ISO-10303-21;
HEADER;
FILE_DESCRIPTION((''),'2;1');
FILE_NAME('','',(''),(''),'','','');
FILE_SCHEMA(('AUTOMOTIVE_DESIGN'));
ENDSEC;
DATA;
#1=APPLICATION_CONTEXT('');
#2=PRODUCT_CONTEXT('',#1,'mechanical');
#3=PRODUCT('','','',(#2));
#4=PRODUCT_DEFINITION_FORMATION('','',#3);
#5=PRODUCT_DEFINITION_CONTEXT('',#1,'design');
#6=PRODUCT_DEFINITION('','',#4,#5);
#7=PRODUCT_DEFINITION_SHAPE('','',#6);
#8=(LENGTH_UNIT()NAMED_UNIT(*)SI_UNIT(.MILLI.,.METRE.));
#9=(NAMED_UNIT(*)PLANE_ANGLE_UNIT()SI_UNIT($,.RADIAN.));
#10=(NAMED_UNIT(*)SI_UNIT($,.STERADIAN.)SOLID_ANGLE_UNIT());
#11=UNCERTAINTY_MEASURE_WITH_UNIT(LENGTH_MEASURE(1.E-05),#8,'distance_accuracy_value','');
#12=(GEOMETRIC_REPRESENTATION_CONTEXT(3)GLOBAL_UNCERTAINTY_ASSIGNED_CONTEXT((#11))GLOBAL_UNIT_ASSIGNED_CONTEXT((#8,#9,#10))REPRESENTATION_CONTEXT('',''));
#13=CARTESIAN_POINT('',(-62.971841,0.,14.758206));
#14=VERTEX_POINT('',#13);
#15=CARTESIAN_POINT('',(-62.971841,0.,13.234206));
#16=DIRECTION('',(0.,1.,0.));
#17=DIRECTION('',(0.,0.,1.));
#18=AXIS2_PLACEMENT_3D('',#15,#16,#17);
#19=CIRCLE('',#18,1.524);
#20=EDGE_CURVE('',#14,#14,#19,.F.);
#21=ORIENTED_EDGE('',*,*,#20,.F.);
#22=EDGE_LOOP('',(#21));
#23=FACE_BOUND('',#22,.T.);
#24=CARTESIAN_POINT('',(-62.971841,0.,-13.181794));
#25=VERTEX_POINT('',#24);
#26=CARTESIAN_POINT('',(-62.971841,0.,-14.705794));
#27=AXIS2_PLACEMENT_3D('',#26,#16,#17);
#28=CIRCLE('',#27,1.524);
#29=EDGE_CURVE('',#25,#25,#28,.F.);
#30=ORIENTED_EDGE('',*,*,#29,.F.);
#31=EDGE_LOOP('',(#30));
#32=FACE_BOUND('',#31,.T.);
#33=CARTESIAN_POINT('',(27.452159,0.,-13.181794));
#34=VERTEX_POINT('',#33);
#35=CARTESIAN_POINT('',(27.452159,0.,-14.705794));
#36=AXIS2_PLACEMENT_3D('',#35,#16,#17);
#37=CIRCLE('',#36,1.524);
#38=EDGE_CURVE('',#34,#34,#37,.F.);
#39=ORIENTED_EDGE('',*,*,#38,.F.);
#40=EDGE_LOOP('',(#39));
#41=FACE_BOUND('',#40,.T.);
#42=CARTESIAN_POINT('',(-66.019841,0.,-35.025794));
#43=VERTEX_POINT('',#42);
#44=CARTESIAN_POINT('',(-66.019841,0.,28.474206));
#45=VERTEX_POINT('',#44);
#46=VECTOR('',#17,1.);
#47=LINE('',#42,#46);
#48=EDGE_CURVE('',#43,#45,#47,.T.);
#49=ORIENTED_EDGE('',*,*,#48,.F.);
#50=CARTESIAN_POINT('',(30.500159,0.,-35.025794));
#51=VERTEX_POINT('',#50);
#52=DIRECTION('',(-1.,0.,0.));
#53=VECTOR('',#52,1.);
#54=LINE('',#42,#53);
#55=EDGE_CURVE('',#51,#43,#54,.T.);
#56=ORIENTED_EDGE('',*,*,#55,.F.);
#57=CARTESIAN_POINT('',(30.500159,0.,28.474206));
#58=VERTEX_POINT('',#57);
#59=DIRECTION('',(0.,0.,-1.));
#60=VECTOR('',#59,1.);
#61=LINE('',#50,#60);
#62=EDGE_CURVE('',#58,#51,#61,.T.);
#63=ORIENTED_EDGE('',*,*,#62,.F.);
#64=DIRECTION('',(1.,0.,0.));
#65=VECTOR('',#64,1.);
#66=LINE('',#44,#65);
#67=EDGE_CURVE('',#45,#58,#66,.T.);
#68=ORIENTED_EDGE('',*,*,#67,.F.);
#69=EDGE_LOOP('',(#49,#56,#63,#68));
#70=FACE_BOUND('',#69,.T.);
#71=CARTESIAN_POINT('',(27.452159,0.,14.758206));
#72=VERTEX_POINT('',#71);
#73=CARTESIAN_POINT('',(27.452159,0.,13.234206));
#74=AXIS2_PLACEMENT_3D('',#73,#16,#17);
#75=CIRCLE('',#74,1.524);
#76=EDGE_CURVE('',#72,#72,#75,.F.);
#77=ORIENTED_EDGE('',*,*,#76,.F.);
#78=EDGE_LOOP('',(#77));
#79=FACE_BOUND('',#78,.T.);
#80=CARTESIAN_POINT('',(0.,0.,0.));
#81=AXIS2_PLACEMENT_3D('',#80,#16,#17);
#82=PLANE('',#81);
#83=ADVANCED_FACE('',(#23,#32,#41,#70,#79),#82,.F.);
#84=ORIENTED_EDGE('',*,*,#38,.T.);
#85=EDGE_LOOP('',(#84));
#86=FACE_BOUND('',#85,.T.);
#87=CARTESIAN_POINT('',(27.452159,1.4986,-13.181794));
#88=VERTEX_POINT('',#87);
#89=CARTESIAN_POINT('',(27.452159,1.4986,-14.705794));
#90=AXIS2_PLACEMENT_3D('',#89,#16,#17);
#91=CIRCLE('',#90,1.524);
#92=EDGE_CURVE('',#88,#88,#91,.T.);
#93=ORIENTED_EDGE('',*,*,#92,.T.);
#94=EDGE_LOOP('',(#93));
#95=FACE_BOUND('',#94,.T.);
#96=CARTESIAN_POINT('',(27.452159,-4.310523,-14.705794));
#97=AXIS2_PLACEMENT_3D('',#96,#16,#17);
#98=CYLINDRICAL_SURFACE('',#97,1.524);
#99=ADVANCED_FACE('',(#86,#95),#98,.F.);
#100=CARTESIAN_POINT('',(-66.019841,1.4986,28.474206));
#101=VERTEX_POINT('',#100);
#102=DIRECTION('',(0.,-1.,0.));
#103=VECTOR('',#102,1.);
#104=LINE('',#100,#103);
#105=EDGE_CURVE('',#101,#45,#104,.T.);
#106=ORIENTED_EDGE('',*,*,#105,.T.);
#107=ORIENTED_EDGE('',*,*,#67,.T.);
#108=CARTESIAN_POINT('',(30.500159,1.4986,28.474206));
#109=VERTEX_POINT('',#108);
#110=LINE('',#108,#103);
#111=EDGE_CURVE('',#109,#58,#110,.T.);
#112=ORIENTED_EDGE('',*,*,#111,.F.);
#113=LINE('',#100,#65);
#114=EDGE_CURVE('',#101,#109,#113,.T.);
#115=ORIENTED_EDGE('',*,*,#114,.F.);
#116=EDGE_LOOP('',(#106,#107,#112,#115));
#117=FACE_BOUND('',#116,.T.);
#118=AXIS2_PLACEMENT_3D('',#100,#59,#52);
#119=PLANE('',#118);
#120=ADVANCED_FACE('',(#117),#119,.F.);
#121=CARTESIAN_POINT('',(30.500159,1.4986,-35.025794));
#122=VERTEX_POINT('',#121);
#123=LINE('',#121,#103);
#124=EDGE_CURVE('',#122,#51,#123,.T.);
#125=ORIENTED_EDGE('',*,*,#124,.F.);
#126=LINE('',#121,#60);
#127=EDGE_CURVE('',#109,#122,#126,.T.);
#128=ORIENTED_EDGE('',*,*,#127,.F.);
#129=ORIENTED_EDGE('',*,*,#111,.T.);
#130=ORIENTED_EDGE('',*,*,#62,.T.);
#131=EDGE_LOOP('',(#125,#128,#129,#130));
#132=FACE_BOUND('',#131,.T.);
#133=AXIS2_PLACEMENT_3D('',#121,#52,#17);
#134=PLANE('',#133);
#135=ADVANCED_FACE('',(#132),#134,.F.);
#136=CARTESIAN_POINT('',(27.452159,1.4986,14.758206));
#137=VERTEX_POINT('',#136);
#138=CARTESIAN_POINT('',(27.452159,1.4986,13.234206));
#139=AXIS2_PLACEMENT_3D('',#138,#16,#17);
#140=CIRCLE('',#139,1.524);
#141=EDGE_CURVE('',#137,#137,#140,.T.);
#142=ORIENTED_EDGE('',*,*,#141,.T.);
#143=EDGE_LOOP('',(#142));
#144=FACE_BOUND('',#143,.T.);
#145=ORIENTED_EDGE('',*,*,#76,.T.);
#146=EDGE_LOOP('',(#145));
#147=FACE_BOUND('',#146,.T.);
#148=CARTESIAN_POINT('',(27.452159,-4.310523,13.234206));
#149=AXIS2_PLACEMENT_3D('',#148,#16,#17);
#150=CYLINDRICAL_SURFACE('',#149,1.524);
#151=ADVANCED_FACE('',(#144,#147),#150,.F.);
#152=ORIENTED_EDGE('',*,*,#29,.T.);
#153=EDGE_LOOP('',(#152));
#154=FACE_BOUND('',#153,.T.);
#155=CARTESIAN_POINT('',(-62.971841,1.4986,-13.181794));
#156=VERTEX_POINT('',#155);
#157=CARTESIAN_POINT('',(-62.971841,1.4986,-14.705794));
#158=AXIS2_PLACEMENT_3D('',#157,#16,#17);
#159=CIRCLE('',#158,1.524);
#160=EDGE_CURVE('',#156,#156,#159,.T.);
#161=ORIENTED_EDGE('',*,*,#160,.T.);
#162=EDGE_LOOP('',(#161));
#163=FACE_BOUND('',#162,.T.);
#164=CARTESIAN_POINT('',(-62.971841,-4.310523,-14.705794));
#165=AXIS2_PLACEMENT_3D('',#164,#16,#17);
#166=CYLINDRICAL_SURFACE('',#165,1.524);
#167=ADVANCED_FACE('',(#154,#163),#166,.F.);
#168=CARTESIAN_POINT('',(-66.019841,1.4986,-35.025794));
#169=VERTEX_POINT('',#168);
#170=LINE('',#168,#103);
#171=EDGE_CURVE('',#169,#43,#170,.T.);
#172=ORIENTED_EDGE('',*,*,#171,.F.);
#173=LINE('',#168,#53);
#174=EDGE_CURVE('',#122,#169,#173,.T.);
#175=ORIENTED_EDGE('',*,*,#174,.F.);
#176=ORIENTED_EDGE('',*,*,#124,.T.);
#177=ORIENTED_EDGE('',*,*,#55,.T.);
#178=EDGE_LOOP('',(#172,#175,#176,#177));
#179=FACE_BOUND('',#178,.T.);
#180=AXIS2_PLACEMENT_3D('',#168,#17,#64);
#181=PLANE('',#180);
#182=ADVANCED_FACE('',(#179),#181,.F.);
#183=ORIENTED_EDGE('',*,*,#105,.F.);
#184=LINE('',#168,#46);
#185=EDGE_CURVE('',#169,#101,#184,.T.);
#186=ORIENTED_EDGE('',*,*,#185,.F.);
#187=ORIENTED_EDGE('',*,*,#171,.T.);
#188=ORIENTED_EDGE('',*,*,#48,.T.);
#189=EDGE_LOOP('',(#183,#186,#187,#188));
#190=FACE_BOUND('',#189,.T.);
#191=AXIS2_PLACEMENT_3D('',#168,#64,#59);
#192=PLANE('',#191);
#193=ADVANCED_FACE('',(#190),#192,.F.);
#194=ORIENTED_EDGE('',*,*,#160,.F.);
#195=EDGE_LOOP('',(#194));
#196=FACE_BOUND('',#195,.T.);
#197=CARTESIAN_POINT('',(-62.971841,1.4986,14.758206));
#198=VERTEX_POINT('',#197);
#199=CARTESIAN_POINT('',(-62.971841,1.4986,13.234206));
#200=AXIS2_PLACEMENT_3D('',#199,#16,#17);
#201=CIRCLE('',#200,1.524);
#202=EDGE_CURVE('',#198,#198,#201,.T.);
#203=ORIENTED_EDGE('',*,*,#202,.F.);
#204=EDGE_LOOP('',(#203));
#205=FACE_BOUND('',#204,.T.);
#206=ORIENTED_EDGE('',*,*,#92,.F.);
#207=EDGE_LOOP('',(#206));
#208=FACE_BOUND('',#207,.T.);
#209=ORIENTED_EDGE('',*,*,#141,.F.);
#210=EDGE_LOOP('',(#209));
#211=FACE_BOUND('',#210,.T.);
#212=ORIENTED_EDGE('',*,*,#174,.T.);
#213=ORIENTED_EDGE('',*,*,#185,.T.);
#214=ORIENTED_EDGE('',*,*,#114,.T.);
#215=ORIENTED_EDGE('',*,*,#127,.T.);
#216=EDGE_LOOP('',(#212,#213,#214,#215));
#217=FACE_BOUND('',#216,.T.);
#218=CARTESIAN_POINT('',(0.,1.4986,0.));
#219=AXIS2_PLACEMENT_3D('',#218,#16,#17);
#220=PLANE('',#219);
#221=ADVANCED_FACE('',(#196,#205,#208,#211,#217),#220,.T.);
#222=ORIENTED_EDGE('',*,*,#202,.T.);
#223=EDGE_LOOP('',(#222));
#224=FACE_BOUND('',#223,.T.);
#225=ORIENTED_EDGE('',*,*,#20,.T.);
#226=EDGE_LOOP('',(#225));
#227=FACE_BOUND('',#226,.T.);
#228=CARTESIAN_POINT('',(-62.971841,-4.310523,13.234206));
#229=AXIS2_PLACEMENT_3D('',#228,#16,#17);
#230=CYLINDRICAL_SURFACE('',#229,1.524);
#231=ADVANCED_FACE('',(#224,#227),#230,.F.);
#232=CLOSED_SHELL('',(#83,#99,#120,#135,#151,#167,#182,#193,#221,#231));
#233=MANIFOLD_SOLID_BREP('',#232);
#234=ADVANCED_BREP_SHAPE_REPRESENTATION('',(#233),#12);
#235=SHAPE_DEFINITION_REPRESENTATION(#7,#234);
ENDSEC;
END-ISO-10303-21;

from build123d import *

# Parameters (mm, degrees)
SKETCH1_W           = 96.52
SKETCH1_H           = 63.5
BOSS_EXTRUDE1_DEPTH = 1.4986
SKETCH2_R           = 1.524
MOUTING_HOLES_DEPTH = 1.4986


with BuildPart() as part:
    # Sketch1 → Boss-Extrude1 (new body)
    with BuildSketch(Plane(origin=(0, 0, 0), x_dir=(1, 0, 0), z_dir=(0, 1, 0))):
        with Locations((-17.75984127, 3.275793651)):
            Rectangle(SKETCH1_W, SKETCH1_H)
    extrude(amount=BOSS_EXTRUDE1_DEPTH)

    # Sketch2 → mouting holes (cut)
    with BuildSketch(Plane(origin=(0, 1.4986, 0), x_dir=(1, 0, 0), z_dir=(0, 1, 0))):
        with Locations(Location((-62.97184127, 14.705793651, 0), (0, 0, 270))):
            Circle(SKETCH2_R)
        with Locations(Location((-62.97184127, -13.234206349, 0), (0, 0, 270))):
            Circle(SKETCH2_R)
        with Locations(Location((27.45215873, 14.705793651, 0), (0, 0, 270))):
            Circle(SKETCH2_R)
        with Locations(Location((27.45215873, -13.234206349, 0), (0, 0, 270))):
            Circle(SKETCH2_R)
    extrude(amount=-MOUTING_HOLES_DEPTH, mode=Mode.SUBTRACT)


solid = part.part
